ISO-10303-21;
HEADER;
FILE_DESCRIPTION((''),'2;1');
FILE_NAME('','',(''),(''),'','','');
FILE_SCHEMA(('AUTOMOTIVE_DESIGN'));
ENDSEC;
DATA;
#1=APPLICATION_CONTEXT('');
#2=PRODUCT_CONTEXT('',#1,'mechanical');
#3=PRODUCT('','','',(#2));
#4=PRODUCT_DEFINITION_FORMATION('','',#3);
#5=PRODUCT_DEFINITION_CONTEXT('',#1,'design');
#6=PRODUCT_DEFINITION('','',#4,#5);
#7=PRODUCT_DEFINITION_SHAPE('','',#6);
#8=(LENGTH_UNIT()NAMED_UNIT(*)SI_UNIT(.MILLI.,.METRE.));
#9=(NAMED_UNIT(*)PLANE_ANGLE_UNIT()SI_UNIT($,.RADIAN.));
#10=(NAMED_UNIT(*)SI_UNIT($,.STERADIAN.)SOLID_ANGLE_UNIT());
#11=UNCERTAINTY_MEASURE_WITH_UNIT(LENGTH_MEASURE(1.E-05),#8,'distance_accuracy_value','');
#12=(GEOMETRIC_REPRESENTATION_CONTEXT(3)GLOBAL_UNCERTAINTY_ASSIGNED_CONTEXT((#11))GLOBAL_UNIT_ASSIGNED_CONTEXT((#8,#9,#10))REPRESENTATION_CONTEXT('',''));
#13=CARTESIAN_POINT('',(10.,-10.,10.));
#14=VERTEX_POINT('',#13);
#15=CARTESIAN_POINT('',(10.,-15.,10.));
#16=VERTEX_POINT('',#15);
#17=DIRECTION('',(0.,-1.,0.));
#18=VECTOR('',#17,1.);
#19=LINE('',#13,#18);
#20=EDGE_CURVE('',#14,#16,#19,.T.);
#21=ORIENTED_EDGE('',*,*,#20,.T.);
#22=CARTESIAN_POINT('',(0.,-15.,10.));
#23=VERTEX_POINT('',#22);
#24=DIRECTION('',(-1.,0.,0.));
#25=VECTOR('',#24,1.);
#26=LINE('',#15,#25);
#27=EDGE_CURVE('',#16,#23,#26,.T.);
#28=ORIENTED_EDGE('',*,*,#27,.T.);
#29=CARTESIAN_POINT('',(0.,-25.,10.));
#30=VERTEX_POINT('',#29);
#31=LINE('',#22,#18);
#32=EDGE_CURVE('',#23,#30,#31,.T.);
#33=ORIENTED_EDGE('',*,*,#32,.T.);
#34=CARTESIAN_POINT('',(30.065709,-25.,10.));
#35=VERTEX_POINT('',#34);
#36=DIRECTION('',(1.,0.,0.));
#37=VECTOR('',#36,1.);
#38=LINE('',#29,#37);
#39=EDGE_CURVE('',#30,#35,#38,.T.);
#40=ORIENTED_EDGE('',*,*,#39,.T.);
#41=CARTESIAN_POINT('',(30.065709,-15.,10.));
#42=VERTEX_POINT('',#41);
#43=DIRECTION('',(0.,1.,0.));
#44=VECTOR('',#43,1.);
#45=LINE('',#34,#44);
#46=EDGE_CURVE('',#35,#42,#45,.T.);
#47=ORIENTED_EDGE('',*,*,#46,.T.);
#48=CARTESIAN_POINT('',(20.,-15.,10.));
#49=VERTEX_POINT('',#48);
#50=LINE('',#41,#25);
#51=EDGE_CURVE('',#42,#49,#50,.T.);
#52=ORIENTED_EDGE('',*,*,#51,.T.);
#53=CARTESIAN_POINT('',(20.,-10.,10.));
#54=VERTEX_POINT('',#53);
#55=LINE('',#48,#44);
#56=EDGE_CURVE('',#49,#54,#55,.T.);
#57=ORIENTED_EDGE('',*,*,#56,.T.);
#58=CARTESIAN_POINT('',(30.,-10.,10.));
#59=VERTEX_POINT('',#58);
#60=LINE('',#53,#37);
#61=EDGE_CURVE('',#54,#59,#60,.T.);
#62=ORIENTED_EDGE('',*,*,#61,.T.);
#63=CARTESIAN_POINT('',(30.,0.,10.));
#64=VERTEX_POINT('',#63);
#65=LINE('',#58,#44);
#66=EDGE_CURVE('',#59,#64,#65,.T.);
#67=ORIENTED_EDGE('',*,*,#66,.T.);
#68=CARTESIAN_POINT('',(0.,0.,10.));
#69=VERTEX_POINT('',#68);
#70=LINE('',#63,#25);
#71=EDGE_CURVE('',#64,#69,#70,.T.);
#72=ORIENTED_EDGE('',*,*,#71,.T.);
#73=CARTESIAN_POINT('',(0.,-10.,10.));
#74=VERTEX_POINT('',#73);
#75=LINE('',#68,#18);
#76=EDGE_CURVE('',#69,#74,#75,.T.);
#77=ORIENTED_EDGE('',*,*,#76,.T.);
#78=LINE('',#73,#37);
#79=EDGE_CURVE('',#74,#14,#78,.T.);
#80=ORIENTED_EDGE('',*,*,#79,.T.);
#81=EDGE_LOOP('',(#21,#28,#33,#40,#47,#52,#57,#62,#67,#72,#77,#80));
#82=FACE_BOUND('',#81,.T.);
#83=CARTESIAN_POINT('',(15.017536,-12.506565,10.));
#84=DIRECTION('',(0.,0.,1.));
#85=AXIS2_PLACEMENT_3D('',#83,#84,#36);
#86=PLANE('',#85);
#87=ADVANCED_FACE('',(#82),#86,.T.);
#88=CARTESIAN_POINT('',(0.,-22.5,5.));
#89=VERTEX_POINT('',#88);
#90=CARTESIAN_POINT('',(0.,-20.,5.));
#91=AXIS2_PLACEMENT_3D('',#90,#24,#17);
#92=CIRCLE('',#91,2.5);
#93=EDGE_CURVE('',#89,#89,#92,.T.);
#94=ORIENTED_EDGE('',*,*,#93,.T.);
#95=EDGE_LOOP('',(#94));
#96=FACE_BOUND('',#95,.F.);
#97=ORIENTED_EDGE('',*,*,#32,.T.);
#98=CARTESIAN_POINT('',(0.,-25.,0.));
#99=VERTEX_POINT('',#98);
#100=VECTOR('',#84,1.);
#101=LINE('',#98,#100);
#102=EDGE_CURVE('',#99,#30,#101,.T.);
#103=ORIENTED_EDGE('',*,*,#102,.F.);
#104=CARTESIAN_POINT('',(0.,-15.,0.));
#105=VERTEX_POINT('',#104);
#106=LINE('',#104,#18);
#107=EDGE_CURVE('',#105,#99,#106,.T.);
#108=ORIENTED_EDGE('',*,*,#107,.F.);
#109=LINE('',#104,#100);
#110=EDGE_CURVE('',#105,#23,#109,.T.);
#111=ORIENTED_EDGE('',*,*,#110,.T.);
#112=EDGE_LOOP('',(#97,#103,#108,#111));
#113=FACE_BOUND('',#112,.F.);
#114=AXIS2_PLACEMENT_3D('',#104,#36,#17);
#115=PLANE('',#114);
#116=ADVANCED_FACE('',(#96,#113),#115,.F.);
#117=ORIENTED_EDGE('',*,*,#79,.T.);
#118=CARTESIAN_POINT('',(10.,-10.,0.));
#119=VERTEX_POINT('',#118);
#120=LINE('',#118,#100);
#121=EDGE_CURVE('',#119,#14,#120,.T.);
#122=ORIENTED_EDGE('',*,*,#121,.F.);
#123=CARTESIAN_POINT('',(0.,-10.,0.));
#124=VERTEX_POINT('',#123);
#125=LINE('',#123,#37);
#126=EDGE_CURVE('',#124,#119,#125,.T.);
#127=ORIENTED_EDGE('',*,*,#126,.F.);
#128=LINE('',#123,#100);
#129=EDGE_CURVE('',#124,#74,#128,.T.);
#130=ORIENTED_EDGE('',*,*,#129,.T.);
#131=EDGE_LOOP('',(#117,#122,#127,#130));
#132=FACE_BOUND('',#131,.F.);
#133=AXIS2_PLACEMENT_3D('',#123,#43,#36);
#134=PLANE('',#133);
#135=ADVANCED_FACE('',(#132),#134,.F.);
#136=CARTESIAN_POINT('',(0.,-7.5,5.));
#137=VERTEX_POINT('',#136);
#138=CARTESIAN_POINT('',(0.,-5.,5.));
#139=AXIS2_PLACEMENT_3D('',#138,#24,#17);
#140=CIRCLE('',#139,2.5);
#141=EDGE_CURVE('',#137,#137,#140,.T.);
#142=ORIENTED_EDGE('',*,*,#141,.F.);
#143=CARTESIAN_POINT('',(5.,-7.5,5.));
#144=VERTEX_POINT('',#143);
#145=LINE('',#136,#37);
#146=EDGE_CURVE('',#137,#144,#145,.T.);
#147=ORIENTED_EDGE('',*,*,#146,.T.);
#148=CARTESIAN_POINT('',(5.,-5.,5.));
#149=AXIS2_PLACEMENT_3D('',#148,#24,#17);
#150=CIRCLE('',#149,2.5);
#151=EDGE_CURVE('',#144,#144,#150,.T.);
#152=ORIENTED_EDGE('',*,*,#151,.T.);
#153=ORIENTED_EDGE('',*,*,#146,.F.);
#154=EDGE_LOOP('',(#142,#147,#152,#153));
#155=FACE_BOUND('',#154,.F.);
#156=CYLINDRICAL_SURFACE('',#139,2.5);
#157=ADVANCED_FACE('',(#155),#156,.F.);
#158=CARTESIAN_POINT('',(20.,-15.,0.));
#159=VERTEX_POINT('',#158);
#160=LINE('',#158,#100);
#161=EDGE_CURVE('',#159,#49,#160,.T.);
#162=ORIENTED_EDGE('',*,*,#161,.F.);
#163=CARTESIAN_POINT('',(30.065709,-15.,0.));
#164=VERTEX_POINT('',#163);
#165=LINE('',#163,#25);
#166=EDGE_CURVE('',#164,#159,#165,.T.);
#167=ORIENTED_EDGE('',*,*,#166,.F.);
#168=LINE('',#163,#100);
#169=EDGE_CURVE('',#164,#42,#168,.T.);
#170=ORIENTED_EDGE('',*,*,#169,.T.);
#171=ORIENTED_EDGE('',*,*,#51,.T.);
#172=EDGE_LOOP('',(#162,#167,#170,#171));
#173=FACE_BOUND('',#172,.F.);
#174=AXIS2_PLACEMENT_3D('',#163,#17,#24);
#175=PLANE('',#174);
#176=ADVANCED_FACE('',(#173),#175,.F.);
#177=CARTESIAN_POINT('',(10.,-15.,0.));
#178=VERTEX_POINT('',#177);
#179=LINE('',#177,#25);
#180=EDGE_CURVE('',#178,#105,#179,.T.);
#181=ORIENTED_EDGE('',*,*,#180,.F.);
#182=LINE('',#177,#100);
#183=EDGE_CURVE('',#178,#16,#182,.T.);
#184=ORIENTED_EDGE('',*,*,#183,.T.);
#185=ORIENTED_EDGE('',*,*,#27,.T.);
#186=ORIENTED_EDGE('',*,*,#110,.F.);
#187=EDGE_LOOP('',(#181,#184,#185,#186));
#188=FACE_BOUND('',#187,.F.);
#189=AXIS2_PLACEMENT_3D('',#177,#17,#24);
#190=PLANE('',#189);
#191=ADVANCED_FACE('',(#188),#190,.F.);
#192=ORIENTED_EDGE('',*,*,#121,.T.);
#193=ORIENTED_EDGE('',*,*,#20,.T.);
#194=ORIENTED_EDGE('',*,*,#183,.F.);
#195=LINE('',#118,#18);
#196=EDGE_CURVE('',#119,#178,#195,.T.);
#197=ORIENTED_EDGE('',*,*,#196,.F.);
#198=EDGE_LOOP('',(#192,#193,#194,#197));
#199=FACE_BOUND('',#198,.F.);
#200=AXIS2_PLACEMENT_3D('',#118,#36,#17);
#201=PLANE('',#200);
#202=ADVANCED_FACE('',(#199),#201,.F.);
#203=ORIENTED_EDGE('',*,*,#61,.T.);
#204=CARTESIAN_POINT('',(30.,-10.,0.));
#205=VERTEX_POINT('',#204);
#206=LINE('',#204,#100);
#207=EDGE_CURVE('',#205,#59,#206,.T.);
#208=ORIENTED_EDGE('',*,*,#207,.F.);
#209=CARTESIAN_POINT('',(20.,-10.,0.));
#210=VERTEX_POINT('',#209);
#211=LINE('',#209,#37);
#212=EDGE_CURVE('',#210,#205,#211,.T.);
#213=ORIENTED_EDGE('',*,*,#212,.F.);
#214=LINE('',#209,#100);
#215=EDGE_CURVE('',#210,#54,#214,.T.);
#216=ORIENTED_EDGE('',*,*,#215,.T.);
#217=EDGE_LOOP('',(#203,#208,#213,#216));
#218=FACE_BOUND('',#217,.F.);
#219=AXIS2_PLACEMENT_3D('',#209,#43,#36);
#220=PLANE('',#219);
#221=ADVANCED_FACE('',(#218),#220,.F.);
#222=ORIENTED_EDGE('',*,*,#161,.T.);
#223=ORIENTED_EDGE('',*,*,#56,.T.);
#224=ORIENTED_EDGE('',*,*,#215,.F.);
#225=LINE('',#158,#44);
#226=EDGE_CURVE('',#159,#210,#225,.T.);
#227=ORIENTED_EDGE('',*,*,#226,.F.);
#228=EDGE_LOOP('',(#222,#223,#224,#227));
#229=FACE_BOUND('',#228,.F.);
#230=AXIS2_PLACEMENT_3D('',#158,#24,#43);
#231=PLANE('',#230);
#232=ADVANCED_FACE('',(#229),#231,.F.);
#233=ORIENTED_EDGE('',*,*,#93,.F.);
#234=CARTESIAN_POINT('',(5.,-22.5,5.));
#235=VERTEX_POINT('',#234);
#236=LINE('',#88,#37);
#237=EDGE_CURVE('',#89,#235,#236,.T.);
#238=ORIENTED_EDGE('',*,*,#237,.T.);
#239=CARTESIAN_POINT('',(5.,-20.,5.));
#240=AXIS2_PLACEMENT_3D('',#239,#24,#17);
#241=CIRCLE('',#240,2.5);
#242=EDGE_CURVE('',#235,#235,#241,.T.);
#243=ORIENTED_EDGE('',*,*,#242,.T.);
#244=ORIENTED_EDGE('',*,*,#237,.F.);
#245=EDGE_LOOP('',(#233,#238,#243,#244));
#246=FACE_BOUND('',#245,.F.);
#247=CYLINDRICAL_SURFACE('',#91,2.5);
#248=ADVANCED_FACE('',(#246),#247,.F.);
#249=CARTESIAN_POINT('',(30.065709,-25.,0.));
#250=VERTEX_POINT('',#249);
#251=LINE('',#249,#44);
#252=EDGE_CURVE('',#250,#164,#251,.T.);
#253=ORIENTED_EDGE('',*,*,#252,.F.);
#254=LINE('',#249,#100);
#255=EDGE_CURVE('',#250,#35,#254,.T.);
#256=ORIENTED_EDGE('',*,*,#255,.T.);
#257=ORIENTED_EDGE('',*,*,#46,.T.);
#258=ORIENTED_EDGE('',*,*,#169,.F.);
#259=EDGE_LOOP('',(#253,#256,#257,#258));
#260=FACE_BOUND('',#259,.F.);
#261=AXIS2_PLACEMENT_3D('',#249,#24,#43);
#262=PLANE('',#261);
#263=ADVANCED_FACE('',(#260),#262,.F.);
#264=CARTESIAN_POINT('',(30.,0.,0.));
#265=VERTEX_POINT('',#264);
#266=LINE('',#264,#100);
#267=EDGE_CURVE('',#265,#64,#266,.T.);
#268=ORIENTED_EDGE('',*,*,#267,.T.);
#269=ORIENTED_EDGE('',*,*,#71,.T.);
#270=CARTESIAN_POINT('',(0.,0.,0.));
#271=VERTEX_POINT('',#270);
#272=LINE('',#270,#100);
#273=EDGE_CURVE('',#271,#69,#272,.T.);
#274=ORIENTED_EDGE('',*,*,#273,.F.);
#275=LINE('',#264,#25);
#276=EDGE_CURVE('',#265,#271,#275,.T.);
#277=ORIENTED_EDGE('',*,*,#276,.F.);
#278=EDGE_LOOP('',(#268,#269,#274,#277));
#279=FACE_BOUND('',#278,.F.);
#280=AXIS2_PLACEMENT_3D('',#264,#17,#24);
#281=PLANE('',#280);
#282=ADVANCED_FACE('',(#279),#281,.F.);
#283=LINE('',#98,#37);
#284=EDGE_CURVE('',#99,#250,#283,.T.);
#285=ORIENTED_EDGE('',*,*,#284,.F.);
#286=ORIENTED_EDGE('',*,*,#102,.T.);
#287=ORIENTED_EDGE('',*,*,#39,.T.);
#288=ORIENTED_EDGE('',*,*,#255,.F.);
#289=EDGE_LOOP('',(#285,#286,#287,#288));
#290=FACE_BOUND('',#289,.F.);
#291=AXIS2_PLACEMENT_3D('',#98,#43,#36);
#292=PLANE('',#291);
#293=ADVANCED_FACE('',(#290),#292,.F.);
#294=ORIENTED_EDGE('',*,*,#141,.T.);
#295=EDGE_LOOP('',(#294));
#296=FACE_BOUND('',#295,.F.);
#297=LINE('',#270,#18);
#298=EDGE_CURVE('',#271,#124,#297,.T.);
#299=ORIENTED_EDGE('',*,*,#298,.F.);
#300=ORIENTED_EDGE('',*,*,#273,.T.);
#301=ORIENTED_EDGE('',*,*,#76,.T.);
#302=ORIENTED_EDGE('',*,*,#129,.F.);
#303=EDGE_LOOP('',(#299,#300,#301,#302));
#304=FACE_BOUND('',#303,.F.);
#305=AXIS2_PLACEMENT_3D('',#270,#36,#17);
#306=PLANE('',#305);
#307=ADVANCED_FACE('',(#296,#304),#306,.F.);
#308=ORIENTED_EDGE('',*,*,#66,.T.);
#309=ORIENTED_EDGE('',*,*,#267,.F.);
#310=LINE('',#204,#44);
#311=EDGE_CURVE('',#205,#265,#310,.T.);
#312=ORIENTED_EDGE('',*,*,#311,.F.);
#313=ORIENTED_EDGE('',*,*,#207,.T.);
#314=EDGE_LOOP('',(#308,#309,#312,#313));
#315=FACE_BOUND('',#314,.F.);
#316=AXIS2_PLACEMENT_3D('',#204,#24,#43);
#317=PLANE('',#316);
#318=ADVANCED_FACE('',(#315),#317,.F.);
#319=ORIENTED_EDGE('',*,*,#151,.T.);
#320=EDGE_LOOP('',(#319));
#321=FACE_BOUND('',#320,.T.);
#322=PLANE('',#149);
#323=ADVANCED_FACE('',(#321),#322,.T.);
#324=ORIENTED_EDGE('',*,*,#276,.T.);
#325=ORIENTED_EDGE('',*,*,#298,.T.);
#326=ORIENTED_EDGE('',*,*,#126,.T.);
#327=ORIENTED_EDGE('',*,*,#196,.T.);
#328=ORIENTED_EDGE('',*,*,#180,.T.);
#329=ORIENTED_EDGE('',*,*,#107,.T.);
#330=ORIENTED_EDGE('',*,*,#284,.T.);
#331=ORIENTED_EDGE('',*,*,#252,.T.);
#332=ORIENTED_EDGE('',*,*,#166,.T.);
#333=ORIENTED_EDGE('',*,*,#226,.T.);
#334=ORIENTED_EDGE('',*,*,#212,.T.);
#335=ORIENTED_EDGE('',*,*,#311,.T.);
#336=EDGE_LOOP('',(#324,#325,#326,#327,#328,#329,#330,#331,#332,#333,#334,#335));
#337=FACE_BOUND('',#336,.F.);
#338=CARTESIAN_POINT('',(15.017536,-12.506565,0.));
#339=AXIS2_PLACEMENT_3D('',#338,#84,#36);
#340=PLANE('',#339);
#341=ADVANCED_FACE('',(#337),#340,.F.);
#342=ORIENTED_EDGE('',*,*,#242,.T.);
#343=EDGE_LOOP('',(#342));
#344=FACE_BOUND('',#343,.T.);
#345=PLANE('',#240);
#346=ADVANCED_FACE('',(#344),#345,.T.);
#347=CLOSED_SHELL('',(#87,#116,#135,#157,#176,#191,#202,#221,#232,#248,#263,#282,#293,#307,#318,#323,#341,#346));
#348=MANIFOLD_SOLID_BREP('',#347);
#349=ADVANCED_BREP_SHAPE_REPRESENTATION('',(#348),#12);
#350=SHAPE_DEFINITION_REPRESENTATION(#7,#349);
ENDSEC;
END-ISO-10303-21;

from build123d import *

# Parameters (mm, degrees)
F1_DEPTH = 10
F3_R     = 2.5
F4_DEPTH = 5


with BuildPart() as f1:
    # F0 (on Top) → F1 (new body)
    with BuildSketch(Plane.XY):
        Polygon((30, 0), (0, 0), (0, -10), (10, -10), (10, -15), (0, -15), (0, -25), (30.0657091261, -25), (30.0657091261, -15), (20, -15), (20, -10), (30, -10), align=None)
    extrude(amount=F1_DEPTH)

    # F3 (on offset) → F4 (cut)
    with BuildSketch(Plane(origin=(0, 0, 0), x_dir=(0, -1, 0), z_dir=(-1, 0, 0))):
        with Locations((5, 5)):
            Circle(F3_R)
        with Locations((20, 5)):
            Circle(F3_R)
    extrude(amount=-F4_DEPTH, mode=Mode.SUBTRACT)


solid = f1.part
